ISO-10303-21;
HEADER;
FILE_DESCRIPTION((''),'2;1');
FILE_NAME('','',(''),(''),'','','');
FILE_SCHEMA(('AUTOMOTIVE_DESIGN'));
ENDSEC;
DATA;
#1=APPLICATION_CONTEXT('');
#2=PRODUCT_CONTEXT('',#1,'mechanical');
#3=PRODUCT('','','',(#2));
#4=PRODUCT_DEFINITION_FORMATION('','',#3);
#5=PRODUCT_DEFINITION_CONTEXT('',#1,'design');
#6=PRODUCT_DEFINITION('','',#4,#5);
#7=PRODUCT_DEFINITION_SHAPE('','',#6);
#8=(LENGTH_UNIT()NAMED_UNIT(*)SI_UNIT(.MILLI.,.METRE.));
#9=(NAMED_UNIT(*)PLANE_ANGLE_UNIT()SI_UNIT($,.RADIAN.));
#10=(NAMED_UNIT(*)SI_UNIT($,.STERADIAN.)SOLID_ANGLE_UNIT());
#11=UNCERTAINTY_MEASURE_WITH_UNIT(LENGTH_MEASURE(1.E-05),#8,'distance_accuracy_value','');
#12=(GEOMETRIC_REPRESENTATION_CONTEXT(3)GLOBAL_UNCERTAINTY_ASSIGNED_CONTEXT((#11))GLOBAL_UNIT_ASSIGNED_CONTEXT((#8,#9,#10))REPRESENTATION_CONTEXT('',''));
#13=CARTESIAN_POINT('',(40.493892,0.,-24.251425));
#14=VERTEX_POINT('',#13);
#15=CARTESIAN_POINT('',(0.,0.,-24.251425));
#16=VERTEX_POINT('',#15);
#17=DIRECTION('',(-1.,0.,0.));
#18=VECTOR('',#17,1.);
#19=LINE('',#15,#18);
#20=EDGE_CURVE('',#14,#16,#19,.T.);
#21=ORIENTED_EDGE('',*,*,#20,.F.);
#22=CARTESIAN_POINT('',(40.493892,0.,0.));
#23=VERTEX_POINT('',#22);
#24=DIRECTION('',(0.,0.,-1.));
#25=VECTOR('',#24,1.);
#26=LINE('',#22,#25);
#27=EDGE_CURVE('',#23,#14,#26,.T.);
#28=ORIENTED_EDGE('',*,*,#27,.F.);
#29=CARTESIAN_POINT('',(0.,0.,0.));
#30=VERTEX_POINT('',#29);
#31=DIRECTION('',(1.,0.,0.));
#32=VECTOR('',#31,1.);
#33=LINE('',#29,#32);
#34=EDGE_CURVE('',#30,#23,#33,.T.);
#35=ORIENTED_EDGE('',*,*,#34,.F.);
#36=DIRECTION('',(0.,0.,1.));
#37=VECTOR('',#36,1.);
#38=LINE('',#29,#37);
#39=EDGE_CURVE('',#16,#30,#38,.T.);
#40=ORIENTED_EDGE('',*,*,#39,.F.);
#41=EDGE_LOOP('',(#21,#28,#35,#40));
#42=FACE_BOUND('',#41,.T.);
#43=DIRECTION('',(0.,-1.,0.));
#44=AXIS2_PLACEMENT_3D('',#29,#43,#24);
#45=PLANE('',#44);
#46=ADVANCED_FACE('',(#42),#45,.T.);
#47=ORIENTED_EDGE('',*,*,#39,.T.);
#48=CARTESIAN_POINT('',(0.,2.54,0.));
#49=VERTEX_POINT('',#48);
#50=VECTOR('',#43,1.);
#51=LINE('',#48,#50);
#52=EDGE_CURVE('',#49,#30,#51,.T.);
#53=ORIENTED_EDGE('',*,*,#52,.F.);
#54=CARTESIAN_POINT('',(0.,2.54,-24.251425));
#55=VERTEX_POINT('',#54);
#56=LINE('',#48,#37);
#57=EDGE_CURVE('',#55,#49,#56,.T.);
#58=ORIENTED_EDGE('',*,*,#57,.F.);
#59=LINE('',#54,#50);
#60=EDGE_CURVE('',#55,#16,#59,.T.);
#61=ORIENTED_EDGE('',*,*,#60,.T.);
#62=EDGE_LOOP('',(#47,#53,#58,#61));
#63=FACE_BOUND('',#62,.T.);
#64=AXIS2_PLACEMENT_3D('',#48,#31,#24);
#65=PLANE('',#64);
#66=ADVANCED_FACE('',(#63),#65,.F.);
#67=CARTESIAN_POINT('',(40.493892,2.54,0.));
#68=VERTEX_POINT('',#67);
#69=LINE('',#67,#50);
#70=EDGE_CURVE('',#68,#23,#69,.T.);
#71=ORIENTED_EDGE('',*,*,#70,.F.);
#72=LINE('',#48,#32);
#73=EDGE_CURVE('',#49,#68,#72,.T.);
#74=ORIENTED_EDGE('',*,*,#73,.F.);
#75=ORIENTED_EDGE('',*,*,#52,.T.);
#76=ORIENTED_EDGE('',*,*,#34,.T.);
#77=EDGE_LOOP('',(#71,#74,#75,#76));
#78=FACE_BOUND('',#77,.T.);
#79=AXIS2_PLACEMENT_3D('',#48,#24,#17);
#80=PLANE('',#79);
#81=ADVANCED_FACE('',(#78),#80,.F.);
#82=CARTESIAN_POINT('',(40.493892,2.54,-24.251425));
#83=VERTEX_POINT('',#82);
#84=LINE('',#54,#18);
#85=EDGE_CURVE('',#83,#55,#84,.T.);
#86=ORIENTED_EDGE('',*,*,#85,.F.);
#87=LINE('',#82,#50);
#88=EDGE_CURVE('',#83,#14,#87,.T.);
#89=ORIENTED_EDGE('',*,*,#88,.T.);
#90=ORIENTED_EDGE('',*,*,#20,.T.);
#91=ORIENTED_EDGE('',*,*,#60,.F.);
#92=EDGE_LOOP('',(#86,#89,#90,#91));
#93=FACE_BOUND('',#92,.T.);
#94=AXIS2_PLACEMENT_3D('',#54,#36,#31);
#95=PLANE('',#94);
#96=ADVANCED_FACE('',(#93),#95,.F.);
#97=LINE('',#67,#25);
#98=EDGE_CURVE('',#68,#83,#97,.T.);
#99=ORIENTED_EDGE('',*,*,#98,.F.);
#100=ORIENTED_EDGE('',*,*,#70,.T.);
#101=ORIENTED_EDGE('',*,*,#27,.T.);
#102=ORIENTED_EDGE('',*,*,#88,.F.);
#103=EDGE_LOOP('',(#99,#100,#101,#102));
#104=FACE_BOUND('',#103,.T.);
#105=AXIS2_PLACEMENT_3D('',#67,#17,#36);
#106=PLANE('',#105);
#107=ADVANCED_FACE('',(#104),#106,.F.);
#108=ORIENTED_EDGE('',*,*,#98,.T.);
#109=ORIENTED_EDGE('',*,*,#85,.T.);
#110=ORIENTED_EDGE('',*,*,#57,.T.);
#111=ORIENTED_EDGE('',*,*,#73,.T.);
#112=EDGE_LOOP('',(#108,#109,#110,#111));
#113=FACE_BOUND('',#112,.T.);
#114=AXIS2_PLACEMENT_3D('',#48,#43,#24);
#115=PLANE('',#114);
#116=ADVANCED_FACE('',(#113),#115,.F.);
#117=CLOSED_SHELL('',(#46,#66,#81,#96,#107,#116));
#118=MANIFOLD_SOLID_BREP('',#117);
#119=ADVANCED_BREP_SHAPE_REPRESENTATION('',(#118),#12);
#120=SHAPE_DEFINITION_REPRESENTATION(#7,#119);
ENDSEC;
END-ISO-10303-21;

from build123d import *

# Parameters (mm, degrees)
SKETCH1_W           = 40.493891915
SKETCH1_H           = 24.251425102
BOSS_EXTRUDE1_DEPTH = 2.54


with BuildPart() as part:
    # Sketch1 → Boss-Extrude1 (new body)
    with BuildSketch(Plane(origin=(0, 0, 0), x_dir=(1, 0, 0), z_dir=(0, 1, 0))):
        with Locations((20.246945958, 12.125712551)):
            Rectangle(SKETCH1_W, SKETCH1_H)
    extrude(amount=BOSS_EXTRUDE1_DEPTH)


solid = part.part
